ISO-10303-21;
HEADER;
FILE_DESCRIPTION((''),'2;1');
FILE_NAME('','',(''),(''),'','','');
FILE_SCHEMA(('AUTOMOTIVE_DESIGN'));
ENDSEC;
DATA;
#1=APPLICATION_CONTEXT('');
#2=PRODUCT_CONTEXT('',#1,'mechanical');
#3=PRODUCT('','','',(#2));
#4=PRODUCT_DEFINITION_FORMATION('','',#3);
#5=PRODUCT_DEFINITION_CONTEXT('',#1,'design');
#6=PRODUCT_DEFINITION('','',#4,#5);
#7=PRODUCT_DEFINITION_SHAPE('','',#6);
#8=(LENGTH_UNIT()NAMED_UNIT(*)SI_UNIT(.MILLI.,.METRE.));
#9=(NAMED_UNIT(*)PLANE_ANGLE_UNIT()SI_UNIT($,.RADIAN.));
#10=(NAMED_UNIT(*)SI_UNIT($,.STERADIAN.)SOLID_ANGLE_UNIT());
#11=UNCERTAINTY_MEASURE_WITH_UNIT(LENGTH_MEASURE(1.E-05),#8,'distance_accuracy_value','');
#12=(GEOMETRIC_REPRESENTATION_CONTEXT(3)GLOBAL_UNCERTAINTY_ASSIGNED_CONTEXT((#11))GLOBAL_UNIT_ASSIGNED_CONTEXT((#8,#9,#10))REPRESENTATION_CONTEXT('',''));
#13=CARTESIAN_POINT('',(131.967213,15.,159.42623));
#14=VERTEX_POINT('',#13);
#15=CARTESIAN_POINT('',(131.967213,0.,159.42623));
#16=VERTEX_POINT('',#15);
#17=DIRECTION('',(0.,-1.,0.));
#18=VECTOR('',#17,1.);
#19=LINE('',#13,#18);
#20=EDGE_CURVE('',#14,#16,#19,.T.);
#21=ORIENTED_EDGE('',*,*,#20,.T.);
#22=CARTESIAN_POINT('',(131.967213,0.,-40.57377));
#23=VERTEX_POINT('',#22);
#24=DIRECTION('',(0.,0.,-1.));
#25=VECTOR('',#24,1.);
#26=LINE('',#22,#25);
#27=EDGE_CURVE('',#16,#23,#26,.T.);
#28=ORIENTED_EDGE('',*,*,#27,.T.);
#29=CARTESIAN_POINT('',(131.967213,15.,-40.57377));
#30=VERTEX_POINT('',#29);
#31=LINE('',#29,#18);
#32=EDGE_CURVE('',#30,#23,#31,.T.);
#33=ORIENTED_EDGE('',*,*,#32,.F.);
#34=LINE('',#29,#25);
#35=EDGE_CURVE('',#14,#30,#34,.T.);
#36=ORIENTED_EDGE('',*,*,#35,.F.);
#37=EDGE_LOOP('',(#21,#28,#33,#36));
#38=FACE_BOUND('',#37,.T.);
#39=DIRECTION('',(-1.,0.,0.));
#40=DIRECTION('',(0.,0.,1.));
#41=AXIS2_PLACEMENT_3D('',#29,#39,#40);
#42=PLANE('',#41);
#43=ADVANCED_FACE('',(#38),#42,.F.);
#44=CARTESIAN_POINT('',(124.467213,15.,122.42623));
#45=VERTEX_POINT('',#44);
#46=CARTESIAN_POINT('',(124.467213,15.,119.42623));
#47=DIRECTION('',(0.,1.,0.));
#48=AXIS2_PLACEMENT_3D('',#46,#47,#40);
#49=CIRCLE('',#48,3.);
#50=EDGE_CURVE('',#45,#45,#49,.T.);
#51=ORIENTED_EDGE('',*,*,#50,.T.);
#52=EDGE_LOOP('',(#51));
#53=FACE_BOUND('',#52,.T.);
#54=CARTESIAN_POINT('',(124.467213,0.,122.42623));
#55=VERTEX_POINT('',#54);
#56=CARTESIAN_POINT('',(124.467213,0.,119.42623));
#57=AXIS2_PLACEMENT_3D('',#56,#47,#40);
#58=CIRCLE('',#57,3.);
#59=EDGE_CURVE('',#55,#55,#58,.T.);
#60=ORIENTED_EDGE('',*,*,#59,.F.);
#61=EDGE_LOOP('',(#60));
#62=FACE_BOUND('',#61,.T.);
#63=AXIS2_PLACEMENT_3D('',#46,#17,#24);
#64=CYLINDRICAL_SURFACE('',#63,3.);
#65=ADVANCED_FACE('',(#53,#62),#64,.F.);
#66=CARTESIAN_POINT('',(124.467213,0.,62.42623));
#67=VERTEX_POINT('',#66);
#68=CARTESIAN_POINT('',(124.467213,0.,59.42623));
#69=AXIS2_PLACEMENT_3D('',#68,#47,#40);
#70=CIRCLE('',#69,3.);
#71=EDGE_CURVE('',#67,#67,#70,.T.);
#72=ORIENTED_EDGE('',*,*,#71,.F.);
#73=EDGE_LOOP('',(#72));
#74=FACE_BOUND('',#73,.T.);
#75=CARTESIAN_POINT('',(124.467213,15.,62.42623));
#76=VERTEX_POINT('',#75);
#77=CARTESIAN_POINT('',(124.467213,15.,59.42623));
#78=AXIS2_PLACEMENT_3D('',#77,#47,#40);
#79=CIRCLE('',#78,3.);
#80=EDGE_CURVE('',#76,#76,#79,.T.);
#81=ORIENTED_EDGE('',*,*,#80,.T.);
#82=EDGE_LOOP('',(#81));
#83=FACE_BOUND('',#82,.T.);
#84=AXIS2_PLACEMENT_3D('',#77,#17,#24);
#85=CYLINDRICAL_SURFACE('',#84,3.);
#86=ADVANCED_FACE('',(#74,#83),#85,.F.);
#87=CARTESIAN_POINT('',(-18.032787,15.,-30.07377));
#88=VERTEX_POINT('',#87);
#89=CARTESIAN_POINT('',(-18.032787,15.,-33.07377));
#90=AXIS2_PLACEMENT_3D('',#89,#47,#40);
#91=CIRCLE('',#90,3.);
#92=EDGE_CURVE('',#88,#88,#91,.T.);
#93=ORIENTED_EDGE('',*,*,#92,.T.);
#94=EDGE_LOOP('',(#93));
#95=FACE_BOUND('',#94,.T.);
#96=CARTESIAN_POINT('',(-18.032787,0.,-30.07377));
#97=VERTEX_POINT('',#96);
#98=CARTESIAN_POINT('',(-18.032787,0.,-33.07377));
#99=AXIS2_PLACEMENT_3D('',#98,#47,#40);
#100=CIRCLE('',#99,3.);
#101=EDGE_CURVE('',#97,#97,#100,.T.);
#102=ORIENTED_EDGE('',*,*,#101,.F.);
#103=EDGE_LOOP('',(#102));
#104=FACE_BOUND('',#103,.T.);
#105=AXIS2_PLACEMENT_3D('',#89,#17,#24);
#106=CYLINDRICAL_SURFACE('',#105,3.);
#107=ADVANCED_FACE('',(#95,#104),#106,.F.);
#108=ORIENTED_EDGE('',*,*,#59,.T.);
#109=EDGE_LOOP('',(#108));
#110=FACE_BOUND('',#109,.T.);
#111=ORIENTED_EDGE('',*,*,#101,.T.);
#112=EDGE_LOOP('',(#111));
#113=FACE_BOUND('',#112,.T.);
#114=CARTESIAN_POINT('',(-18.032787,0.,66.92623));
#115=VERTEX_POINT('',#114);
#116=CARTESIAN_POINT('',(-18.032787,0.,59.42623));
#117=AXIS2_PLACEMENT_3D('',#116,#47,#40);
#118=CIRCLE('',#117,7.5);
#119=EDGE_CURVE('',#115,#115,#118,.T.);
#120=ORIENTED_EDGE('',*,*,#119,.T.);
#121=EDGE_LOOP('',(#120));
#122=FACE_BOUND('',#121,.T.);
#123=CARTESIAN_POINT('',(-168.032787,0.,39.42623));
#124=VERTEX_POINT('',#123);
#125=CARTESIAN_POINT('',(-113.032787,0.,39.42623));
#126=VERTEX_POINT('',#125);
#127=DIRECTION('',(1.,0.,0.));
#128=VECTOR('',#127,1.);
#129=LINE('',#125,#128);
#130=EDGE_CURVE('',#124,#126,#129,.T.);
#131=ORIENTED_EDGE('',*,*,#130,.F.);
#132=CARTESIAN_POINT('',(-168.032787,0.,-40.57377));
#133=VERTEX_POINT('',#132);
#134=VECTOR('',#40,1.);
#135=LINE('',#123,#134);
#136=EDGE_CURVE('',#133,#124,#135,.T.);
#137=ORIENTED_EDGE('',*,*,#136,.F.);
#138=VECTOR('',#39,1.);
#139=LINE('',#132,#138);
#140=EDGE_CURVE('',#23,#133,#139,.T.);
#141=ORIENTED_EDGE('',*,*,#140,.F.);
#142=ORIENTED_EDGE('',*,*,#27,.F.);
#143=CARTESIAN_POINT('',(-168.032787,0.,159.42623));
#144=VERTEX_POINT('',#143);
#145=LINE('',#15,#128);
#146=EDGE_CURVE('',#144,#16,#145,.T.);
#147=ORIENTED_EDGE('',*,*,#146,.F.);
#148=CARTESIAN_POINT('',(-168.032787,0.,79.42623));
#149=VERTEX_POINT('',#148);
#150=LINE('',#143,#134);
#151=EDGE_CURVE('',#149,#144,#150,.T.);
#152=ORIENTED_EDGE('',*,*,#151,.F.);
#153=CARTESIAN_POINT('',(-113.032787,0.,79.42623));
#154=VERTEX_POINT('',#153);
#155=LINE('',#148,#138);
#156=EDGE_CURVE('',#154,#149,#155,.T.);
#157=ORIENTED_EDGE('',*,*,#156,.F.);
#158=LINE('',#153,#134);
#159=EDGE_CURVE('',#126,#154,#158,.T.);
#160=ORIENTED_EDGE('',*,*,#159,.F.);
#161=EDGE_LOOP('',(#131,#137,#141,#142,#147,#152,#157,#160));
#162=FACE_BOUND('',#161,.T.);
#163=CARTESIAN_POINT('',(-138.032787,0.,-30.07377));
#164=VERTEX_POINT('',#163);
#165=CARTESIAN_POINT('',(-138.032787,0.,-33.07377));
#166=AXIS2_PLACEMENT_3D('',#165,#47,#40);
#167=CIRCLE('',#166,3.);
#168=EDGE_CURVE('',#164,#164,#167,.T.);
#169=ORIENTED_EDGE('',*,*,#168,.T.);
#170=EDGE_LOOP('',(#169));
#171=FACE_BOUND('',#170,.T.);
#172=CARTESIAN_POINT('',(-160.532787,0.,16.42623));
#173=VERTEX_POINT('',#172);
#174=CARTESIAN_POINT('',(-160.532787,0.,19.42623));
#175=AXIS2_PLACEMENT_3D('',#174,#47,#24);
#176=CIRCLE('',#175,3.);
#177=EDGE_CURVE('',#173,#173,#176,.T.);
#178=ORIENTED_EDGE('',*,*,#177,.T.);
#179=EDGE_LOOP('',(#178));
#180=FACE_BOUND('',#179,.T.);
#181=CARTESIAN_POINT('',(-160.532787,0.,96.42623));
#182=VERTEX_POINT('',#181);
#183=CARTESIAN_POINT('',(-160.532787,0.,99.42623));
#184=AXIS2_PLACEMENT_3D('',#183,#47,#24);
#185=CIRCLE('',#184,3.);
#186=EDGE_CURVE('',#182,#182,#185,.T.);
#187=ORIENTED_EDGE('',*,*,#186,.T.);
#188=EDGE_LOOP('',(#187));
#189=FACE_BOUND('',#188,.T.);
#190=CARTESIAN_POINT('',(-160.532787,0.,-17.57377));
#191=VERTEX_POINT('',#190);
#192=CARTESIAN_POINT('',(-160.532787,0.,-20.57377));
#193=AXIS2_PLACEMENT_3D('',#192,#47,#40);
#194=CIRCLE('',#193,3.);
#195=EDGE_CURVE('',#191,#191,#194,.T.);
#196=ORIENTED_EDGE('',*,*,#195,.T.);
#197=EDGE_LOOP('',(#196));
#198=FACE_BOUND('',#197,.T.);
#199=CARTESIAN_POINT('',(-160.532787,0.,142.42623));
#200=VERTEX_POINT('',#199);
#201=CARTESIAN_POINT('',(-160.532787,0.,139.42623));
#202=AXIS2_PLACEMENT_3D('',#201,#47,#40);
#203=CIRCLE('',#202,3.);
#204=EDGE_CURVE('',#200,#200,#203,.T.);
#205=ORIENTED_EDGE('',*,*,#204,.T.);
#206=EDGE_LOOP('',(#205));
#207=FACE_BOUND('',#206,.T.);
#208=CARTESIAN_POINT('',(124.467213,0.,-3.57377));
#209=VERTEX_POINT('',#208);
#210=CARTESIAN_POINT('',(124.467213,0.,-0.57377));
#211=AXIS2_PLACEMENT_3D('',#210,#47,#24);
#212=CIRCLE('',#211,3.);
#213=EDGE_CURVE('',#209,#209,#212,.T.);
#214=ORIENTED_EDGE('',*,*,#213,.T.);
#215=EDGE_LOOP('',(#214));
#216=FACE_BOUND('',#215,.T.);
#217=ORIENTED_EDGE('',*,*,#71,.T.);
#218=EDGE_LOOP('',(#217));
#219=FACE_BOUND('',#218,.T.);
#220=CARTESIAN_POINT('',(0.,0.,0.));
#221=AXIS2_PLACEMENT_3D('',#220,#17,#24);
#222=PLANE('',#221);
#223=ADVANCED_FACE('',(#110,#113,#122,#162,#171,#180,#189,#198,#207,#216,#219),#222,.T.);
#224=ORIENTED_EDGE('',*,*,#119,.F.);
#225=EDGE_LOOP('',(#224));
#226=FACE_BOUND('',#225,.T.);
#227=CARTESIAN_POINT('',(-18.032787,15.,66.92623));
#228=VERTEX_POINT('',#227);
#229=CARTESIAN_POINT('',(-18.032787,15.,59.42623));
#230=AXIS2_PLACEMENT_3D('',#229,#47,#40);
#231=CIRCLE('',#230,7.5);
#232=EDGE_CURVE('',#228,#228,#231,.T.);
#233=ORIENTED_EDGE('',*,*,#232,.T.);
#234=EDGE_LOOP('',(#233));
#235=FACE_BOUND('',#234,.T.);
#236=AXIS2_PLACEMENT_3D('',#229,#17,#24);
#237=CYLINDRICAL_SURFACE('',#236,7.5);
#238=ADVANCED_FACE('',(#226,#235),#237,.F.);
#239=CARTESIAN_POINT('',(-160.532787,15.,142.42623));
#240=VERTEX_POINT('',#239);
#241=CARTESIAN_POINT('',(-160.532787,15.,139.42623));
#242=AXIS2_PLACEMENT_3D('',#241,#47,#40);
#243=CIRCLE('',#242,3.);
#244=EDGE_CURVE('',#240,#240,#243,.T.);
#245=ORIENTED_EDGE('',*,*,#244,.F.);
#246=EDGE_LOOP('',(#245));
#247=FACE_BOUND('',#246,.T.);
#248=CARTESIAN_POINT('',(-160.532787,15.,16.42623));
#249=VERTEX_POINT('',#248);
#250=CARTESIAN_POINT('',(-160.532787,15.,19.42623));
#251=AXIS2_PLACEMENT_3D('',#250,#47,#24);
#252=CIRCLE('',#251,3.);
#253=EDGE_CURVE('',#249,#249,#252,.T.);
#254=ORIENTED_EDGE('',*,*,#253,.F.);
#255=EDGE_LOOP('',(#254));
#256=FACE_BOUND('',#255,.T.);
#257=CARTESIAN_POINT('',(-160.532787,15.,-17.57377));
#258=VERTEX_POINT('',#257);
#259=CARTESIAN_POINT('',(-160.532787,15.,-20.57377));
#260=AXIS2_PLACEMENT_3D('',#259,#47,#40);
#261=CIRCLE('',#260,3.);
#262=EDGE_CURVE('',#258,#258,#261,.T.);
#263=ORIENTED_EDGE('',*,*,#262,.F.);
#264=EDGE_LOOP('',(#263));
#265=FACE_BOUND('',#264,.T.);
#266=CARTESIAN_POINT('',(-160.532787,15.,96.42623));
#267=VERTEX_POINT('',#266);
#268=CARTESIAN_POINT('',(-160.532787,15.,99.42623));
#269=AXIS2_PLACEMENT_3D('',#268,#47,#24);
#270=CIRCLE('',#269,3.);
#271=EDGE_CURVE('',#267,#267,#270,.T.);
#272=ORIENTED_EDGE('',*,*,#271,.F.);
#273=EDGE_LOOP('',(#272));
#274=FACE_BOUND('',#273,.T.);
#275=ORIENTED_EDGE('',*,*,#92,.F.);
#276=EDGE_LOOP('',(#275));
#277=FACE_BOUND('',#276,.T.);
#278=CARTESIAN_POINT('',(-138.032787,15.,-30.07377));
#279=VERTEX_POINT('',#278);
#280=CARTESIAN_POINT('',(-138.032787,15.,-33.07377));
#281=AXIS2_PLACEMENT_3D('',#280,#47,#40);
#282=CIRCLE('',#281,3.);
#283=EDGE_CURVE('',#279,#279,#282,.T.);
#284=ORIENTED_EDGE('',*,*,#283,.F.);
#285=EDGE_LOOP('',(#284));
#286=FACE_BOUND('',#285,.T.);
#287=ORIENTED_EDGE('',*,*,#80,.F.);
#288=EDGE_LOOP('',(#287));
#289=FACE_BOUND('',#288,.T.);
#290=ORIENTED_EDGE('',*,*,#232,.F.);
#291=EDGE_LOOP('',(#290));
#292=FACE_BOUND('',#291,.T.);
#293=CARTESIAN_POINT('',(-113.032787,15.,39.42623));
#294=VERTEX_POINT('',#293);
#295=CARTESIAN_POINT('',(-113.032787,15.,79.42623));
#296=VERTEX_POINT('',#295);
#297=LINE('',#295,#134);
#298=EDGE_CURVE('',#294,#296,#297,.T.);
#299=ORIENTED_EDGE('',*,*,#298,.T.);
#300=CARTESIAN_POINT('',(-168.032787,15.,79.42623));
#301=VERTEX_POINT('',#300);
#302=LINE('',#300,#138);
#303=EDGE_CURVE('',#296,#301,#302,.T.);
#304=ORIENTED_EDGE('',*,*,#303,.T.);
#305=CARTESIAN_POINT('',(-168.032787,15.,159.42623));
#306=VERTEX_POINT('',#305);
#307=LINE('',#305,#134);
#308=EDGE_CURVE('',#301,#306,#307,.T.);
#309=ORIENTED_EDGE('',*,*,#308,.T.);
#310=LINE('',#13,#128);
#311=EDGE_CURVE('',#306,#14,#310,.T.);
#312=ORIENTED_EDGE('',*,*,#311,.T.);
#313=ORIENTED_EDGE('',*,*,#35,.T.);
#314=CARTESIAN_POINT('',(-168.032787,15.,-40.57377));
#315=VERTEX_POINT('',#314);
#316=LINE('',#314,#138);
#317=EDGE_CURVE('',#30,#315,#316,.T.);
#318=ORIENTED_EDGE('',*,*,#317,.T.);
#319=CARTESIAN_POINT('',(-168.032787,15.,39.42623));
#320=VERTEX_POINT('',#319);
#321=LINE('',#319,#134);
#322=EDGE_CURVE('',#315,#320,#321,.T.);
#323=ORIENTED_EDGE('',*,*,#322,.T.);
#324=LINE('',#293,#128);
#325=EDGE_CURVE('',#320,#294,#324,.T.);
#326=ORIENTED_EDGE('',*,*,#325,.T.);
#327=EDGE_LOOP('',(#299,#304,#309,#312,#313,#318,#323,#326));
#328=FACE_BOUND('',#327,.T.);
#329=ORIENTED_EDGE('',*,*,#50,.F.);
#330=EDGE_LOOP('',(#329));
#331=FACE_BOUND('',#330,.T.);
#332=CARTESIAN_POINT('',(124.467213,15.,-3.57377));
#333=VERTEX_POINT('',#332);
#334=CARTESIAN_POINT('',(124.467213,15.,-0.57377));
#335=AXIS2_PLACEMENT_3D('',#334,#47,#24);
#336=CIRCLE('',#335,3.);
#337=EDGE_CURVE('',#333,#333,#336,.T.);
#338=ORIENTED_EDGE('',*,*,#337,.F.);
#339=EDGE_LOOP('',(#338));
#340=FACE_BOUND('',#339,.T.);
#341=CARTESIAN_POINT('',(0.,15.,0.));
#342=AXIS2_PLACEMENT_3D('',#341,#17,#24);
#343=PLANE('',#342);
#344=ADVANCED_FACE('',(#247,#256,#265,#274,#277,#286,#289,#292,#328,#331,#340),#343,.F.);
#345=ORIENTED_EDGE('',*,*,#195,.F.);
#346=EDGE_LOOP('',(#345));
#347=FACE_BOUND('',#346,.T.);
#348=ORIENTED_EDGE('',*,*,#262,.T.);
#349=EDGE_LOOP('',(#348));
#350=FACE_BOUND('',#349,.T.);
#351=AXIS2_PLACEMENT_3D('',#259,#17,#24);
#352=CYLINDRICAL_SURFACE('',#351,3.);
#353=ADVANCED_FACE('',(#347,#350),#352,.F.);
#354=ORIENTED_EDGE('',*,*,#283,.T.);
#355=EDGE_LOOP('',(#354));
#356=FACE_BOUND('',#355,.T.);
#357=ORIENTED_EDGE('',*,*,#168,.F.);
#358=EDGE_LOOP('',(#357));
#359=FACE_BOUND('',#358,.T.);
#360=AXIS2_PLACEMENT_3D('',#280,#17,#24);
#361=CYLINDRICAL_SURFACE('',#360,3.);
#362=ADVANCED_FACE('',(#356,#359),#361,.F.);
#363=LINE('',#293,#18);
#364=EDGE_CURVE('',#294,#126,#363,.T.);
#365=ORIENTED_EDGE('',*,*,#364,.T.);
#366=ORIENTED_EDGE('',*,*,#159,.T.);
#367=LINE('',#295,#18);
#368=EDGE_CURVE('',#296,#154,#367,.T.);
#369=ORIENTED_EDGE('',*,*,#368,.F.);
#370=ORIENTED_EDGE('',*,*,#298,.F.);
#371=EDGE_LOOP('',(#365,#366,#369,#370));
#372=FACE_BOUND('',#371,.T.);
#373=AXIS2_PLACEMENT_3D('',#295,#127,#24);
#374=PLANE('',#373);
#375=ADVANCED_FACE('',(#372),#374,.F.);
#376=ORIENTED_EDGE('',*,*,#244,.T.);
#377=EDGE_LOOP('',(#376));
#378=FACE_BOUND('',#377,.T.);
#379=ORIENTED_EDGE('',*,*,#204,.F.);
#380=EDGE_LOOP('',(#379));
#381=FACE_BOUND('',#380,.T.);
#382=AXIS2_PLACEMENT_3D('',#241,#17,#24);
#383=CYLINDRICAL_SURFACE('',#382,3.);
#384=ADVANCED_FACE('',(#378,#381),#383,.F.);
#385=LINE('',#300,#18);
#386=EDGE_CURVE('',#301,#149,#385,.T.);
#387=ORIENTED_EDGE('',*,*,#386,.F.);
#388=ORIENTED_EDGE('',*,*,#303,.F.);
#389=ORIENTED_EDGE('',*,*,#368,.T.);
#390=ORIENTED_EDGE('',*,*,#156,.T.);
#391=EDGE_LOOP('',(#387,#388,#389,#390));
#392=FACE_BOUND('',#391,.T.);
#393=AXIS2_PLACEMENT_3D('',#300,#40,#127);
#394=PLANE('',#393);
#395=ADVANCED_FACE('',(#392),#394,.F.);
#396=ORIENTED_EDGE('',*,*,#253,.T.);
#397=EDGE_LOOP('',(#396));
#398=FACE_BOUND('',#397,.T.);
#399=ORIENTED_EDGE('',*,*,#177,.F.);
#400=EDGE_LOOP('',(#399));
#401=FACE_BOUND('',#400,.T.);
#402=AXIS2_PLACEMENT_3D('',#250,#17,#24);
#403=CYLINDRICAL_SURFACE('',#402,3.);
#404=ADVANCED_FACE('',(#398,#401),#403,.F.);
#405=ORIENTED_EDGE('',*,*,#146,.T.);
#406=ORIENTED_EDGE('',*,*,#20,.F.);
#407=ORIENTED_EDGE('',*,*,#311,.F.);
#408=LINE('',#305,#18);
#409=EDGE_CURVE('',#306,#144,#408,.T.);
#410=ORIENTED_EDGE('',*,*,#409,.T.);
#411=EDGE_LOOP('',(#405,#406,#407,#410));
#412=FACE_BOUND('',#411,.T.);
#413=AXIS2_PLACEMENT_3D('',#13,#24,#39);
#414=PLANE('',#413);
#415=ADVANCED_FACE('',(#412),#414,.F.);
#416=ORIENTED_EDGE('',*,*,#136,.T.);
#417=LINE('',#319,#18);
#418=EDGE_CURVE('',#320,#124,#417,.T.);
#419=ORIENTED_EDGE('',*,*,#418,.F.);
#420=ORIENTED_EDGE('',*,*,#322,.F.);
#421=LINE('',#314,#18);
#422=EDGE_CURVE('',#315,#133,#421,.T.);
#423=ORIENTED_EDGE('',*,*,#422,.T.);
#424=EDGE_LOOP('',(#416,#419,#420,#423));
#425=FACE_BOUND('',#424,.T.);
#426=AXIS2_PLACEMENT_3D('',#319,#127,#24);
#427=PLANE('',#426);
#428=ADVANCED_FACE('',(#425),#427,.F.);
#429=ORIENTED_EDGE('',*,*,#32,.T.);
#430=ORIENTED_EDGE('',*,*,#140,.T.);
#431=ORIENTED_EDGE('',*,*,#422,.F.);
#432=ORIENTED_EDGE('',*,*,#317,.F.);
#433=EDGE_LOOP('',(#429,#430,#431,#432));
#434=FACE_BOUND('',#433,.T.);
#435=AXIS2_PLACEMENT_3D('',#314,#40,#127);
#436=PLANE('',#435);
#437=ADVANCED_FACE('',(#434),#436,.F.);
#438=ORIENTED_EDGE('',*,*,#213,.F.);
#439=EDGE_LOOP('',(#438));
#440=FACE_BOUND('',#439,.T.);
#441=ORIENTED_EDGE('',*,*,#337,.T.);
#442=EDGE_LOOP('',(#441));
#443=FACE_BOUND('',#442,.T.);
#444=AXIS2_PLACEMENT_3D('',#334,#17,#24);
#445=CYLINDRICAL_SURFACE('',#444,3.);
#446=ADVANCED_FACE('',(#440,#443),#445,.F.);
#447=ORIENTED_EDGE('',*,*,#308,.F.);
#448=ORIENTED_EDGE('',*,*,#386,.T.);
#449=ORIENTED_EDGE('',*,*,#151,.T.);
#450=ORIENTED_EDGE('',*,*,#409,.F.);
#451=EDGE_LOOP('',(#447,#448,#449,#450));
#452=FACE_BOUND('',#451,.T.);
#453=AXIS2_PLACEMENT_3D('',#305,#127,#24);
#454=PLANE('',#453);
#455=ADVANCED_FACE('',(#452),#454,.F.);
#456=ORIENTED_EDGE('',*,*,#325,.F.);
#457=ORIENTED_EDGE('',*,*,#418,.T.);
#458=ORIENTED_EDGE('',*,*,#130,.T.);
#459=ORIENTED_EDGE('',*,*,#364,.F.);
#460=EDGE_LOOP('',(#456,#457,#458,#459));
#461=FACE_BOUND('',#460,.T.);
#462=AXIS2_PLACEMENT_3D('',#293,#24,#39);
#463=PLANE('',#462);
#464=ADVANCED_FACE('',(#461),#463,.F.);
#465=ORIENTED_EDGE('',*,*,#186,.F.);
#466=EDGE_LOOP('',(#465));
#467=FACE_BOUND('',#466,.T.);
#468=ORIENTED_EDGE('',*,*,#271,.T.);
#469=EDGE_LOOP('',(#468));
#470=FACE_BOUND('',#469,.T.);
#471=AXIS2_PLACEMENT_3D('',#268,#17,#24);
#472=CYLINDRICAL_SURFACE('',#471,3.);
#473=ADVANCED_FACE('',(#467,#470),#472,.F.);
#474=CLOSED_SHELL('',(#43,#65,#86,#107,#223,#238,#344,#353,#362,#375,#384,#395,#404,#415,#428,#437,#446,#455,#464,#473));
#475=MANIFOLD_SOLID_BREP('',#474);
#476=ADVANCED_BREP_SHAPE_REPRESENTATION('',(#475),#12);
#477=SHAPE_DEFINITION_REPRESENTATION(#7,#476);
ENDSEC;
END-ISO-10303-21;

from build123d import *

# Parameters (mm, degrees)
SKETCH2_R           = 7.5
SKETCH2_R_2         = 3
BOSS_EXTRUDE2_DEPTH = 15


with BuildPart() as part:
    # Sketch2 → Boss-Extrude2 (new body)
    with BuildSketch(Plane(origin=(0, 0, 0), x_dir=(1, 0, 0), z_dir=(0, 1, 0))):
        Polygon((-168.032786885, 40.573770492), (131.967213115, 40.573770492), (131.967213115, -159.426229508), (-168.032786885, -159.426229508), (-168.032786885, -79.426229508), (-113.032786885, -79.426229508), (-113.032786885, -39.426229508), (-168.032786885, -39.426229508), align=None)
        with Locations(Location((-18.032786885, -59.426229508, 0), (0, 0, 270))):
            Circle(SKETCH2_R, mode=Mode.SUBTRACT)
        with Locations(Location((-160.532786885, 20.573770492, 0), (0, 0, 270))):
            Circle(SKETCH2_R_2, mode=Mode.SUBTRACT)
        with Locations(Location((-160.532786885, -19.426229508, 0), (0, 0, 90))):
            Circle(SKETCH2_R_2, mode=Mode.SUBTRACT)
        with Locations(Location((-160.532786885, -139.426229508, 0), (0, 0, 270))):
            Circle(SKETCH2_R_2, mode=Mode.SUBTRACT)
        with Locations(Location((-160.532786885, -99.426229508, 0), (0, 0, 90))):
            Circle(SKETCH2_R_2, mode=Mode.SUBTRACT)
        with Locations(Location((124.467213115, -119.426229508, 0), (0, 0, 270))):
            Circle(SKETCH2_R_2, mode=Mode.SUBTRACT)
        with Locations(Location((124.467213115, 0.573770492, 0), (0, 0, 90))):
            Circle(SKETCH2_R_2, mode=Mode.SUBTRACT)
        with Locations(Location((124.467213115, -59.426229508, 0), (0, 0, 270))):
            Circle(SKETCH2_R_2, mode=Mode.SUBTRACT)
        with Locations(Location((-18.032786885, 33.073770492, 0), (0, 0, 270))):
            Circle(SKETCH2_R_2, mode=Mode.SUBTRACT)
        with Locations(Location((-138.032786885, 33.073770492, 0), (0, 0, 270))):
            Circle(SKETCH2_R_2, mode=Mode.SUBTRACT)
    extrude(amount=BOSS_EXTRUDE2_DEPTH)


solid = part.part
